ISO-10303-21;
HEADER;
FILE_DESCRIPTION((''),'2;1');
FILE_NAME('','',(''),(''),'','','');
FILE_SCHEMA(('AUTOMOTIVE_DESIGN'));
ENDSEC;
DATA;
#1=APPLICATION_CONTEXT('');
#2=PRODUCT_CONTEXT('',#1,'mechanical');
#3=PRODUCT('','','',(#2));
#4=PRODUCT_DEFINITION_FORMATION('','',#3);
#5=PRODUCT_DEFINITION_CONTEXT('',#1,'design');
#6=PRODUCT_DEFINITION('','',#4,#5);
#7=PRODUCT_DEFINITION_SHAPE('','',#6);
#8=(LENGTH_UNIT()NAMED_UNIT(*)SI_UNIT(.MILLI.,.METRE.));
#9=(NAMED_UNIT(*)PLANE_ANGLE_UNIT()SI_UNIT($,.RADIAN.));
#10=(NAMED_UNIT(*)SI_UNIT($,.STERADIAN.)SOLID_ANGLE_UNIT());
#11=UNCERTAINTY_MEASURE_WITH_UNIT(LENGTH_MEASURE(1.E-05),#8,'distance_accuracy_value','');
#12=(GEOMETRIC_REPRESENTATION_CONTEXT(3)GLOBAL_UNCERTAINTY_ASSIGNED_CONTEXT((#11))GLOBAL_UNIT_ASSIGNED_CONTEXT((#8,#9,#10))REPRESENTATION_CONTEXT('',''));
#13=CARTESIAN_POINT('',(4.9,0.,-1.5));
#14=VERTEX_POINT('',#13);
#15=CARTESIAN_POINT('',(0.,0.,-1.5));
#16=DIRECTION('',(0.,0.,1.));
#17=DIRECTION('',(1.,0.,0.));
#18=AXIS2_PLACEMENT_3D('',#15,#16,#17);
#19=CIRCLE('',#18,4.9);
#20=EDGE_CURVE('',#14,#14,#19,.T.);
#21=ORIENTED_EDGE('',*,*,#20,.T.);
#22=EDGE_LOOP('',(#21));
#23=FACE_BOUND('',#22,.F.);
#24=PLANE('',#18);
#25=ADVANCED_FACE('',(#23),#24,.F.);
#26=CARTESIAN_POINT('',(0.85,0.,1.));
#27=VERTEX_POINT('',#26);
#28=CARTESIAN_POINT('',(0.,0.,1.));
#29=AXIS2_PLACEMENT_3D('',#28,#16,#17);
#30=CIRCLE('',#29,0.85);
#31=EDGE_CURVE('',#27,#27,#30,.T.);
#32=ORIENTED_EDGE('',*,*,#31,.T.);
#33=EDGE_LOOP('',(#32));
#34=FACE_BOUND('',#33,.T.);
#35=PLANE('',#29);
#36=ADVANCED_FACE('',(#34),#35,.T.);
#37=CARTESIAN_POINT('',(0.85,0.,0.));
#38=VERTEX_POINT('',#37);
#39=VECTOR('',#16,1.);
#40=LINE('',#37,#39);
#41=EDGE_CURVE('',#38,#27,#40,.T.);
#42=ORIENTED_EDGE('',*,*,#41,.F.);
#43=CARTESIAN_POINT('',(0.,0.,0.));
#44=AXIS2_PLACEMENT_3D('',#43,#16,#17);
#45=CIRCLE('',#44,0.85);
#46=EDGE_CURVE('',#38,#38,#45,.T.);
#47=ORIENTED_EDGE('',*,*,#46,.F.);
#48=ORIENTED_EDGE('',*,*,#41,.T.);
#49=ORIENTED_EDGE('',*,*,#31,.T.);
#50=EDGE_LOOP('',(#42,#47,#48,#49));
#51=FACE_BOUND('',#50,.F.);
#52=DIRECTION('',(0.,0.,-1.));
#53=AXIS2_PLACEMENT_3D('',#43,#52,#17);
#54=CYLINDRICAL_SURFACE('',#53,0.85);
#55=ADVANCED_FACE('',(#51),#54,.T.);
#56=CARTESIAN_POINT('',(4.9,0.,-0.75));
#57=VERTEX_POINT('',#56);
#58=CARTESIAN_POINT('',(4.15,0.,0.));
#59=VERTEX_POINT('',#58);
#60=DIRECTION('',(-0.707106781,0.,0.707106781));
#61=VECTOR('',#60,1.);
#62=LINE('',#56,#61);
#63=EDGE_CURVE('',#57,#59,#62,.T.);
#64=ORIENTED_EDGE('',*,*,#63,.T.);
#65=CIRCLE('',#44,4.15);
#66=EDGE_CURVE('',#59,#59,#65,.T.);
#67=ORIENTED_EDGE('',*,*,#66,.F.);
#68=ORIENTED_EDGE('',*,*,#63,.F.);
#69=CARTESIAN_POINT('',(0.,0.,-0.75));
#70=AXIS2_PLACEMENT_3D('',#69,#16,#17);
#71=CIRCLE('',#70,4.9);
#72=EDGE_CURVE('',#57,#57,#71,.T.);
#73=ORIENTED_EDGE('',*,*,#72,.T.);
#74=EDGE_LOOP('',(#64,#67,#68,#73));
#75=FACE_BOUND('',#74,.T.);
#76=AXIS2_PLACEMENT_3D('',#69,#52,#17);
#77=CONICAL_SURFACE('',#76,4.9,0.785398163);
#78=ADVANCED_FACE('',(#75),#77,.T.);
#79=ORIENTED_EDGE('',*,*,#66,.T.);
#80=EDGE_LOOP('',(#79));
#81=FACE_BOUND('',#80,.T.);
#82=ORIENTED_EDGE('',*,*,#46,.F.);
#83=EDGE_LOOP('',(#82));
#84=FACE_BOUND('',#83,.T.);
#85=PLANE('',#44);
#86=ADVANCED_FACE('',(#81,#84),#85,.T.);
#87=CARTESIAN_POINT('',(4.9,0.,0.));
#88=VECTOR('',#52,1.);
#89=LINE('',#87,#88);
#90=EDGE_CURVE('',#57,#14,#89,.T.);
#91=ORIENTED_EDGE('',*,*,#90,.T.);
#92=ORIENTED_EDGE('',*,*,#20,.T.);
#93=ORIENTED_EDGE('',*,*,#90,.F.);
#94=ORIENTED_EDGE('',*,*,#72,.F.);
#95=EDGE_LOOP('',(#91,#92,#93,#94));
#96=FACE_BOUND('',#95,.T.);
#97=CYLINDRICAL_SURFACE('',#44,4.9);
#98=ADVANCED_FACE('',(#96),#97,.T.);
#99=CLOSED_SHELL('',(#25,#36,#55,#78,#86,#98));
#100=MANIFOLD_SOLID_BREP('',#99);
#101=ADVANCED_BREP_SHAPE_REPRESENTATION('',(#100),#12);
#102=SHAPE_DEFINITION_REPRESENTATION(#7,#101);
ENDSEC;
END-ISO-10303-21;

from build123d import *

# Parameters (mm, degrees)
F0_R     = 0.85
F1_DEPTH = 1
F0_R_2   = 4.9
F2_DEPTH = 1.5
F3_SIZE  = 0.75


with BuildPart() as f1:
    # F0 (on Top) → F1 (new body)
    with BuildSketch(Plane.XY):
        Circle(F0_R)
    extrude(amount=F1_DEPTH)

    # F0 (on Top) → F2 (join)
    with BuildSketch(Plane.XY):
        Circle(F0_R_2)
        Circle(F0_R, mode=Mode.SUBTRACT)
        Circle(F0_R)
    extrude(amount=-F2_DEPTH)

    # F3
    f3_edges = [f1.edges().sort_by_distance(p)[0] for p in [
        (-4.9, 0, 0),
    ]]
    chamfer(f3_edges, length=F3_SIZE)


solid = f1.part
